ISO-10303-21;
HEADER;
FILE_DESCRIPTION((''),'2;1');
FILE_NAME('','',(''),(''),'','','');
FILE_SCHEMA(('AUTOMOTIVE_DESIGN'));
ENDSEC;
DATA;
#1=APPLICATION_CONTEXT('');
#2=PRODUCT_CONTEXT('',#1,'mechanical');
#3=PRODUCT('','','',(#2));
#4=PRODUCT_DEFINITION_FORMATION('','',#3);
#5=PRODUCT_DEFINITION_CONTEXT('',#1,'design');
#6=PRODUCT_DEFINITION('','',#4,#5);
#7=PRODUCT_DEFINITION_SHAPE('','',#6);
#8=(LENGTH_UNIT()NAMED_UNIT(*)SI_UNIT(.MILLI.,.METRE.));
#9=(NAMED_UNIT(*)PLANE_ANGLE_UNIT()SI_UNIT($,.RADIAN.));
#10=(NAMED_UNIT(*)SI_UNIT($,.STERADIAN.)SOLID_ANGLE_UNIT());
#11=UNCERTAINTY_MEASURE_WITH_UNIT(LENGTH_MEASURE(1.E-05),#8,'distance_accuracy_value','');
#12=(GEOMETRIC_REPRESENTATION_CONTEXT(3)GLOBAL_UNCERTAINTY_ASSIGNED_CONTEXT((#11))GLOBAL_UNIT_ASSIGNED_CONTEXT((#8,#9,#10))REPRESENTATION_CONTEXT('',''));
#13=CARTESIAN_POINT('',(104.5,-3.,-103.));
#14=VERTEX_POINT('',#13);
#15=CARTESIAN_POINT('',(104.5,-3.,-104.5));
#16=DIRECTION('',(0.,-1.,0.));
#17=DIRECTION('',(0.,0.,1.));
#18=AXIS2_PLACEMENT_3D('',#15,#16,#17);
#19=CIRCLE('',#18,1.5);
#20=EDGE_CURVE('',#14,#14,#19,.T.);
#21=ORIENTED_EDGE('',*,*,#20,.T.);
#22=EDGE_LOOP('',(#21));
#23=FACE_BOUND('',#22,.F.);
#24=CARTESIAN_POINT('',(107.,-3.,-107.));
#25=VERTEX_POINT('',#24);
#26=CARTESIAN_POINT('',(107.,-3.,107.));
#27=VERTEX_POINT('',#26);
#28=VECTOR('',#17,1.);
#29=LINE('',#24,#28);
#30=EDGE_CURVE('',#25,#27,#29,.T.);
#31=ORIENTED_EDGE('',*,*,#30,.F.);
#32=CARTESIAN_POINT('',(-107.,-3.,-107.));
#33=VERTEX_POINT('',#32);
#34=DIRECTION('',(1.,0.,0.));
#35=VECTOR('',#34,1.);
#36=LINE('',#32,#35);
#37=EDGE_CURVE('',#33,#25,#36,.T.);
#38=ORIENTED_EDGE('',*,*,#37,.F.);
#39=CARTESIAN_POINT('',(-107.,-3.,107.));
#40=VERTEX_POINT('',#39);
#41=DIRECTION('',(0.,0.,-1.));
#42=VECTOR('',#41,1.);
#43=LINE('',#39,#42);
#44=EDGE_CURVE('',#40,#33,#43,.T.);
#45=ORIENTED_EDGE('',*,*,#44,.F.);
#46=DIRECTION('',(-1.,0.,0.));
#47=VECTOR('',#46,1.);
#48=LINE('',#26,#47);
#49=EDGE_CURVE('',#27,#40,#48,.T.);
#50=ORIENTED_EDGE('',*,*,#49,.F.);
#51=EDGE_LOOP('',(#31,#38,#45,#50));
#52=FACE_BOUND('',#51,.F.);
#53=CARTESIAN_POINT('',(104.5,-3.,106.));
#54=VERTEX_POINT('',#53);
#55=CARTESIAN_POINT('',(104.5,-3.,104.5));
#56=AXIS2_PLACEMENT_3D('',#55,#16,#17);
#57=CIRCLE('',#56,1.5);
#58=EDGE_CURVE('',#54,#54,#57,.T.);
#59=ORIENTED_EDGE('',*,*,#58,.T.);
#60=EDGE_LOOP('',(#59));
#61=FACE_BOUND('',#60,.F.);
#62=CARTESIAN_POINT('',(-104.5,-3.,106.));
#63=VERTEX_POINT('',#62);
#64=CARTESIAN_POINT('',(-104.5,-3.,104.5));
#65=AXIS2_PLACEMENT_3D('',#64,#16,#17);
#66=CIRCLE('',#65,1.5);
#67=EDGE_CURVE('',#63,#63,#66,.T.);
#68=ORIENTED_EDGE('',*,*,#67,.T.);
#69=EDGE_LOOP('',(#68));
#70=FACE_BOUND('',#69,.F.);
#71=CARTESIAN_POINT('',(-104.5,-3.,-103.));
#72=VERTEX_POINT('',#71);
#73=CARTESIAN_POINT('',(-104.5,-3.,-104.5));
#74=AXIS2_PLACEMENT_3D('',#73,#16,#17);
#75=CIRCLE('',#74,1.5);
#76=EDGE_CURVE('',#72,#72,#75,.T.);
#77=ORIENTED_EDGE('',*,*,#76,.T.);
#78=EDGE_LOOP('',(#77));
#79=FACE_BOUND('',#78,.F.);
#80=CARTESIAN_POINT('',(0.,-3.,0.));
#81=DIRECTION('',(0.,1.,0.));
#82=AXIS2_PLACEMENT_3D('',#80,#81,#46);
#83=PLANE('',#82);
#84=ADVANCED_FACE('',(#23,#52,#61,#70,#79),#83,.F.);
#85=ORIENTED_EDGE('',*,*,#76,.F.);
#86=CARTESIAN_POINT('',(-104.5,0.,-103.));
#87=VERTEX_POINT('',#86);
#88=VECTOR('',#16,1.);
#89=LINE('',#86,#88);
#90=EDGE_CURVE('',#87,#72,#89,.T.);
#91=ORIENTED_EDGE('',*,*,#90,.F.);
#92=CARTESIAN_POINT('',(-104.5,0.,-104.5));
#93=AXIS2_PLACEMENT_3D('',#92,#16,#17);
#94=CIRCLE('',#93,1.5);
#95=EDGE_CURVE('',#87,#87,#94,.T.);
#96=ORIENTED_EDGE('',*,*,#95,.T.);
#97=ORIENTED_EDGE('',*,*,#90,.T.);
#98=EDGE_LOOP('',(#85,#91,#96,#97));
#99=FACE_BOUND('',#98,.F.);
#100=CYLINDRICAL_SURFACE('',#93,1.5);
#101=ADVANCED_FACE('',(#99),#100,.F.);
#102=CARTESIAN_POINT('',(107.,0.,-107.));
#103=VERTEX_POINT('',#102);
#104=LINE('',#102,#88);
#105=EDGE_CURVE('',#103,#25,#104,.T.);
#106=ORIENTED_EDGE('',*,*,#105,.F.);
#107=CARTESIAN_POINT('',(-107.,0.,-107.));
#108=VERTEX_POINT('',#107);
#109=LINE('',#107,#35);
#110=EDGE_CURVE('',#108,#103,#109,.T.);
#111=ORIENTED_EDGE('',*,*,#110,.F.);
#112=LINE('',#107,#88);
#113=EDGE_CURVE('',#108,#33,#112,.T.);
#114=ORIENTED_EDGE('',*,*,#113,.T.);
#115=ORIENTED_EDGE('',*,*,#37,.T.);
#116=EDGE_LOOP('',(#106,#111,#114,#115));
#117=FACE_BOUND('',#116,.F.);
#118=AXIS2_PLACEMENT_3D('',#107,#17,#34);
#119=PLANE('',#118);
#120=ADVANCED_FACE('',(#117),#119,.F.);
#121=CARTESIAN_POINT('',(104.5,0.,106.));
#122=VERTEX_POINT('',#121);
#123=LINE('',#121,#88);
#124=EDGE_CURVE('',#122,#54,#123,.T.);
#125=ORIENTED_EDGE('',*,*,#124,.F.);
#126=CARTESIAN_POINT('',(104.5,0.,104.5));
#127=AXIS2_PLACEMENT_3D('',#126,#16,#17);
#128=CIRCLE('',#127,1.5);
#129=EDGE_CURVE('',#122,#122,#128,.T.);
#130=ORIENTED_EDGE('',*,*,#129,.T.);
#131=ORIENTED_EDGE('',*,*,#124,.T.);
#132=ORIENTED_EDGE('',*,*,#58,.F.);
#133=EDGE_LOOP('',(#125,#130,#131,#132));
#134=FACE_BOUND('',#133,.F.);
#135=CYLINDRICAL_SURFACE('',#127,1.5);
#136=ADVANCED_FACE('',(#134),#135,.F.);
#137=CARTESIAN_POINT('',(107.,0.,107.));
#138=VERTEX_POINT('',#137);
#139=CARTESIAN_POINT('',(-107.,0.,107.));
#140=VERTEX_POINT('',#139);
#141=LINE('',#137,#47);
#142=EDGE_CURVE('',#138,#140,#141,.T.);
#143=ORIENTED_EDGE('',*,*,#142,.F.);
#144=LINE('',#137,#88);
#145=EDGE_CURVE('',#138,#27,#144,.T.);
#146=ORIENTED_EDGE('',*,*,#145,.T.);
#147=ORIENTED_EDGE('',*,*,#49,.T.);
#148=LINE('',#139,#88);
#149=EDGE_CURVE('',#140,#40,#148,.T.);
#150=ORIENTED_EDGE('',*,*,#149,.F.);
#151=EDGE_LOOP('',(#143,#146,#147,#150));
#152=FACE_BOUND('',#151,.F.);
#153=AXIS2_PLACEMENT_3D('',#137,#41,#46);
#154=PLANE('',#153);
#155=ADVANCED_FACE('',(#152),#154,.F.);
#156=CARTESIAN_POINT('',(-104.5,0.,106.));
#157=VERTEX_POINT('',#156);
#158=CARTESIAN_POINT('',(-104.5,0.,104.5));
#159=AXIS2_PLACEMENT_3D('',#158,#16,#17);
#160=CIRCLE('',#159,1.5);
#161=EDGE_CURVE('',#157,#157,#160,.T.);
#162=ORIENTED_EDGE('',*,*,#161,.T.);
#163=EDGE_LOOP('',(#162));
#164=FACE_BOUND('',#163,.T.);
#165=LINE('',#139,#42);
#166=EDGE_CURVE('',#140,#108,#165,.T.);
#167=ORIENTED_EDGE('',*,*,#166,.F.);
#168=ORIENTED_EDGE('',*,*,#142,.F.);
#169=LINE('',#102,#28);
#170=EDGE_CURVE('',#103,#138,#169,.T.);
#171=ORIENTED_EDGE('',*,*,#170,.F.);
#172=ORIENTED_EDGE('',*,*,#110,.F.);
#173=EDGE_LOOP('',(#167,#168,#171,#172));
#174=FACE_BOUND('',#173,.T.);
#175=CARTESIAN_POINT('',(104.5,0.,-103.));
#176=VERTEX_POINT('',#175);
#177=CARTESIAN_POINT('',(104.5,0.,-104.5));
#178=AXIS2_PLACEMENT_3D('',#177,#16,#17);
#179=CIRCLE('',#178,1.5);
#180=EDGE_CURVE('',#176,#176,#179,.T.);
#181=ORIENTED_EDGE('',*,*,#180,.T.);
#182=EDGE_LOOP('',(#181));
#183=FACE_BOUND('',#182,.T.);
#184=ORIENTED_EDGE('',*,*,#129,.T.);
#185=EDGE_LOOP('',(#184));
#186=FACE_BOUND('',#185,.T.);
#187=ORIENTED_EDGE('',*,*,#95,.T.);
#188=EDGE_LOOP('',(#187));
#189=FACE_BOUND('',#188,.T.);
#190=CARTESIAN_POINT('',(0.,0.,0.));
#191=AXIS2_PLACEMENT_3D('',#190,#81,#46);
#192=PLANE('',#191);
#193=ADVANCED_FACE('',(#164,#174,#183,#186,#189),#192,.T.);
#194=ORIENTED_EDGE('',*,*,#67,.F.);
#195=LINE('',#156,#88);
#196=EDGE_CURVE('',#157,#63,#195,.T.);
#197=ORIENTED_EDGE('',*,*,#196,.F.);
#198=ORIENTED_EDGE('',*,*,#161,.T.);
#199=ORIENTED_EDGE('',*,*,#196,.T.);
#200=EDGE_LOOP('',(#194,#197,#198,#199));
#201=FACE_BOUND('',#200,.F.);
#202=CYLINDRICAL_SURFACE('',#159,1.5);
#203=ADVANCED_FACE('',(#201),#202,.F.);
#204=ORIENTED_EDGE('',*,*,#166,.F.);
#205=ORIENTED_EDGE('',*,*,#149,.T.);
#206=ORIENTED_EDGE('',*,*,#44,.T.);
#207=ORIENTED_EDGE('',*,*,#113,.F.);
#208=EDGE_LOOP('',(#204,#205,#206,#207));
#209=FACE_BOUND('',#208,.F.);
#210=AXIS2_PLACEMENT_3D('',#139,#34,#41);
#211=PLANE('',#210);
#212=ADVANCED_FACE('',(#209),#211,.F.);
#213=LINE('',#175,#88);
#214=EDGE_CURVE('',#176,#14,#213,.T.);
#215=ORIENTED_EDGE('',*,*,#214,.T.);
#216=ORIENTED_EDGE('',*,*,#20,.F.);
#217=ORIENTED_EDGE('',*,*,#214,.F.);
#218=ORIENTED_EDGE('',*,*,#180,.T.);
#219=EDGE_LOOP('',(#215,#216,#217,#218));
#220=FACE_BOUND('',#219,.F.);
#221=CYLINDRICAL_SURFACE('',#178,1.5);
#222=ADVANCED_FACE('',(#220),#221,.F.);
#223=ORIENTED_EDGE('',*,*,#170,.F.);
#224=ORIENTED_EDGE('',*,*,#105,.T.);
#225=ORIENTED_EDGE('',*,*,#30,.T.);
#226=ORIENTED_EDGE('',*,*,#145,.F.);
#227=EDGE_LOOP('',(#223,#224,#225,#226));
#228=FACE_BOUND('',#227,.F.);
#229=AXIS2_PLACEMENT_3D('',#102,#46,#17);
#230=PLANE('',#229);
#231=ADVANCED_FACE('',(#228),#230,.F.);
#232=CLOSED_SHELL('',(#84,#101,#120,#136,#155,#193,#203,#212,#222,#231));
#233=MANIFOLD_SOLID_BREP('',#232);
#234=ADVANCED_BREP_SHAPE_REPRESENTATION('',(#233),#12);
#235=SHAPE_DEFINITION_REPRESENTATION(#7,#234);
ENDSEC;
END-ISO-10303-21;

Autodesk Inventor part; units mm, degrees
ref_plane "YZ Plane" through (0, 0, 0) normal (1, 0, 0) x (0, 1, 0)
ref_plane "XZ Plane" through (0, 0, 0) normal (0, 1, 0) x (-1, 0, 0)
ref_plane "XY Plane" through (0, 0, 0) normal (0, 0, 1) x (1, 0, 0)
sketch "Sketch1" plane through (0, 0, 0) normal (0, 1, 0) x (-1, 0, 0)
  line L0 (-107, 107) -> (107, 107)
  line L1 (107, 107) -> (107, -107)
  line L2 (107, -107) -> (-107, -107)
  line L3 (-107, -107) -> (-107, 107)
  line L4 (104.5, 104.5) -> (-104.5, 104.5)
  line L5 (-104.5, 104.5) -> (-104.5, -104.5)
  line L6 (-104.5, -104.5) -> (104.5, -104.5)
  line L7 (104.5, -104.5) -> (104.5, 104.5)
  line L8 (-107, 107) -> (107, 107) construction
  line L9 (107, 107) -> (107, -107) construction
  line L10 (107, -107) -> (-107, -107) construction
  line L11 (-107, -107) -> (-107, 107) construction
  point P0 (0, 0)
  dimension "d0" = 214
  dimension "d1" = 214
  dimension "d2" = 107
  dimension "d3" = 107
  dimension "d4" = 209
  dimension "d5" = 209
  dimension "d6" = 104.5
  dimension "d7" = 104.5
extrude "Extrusion1" add sketch "Sketch1" against normal blind 3 contours L0 L1 L2 L3 | L7 L6 L5 L4
hole "Hole1" at (104.5, 0, 104.5) at (-104.5, 0, 104.5) at (-104.5, 0, -104.5) at (104.5, 0, -104.5) direction (0, -1, 0) diameter 3 depth 8 tip angle 118
decal "Decal1"
properties part number "HEATBED MK3" material "Aluminum"
